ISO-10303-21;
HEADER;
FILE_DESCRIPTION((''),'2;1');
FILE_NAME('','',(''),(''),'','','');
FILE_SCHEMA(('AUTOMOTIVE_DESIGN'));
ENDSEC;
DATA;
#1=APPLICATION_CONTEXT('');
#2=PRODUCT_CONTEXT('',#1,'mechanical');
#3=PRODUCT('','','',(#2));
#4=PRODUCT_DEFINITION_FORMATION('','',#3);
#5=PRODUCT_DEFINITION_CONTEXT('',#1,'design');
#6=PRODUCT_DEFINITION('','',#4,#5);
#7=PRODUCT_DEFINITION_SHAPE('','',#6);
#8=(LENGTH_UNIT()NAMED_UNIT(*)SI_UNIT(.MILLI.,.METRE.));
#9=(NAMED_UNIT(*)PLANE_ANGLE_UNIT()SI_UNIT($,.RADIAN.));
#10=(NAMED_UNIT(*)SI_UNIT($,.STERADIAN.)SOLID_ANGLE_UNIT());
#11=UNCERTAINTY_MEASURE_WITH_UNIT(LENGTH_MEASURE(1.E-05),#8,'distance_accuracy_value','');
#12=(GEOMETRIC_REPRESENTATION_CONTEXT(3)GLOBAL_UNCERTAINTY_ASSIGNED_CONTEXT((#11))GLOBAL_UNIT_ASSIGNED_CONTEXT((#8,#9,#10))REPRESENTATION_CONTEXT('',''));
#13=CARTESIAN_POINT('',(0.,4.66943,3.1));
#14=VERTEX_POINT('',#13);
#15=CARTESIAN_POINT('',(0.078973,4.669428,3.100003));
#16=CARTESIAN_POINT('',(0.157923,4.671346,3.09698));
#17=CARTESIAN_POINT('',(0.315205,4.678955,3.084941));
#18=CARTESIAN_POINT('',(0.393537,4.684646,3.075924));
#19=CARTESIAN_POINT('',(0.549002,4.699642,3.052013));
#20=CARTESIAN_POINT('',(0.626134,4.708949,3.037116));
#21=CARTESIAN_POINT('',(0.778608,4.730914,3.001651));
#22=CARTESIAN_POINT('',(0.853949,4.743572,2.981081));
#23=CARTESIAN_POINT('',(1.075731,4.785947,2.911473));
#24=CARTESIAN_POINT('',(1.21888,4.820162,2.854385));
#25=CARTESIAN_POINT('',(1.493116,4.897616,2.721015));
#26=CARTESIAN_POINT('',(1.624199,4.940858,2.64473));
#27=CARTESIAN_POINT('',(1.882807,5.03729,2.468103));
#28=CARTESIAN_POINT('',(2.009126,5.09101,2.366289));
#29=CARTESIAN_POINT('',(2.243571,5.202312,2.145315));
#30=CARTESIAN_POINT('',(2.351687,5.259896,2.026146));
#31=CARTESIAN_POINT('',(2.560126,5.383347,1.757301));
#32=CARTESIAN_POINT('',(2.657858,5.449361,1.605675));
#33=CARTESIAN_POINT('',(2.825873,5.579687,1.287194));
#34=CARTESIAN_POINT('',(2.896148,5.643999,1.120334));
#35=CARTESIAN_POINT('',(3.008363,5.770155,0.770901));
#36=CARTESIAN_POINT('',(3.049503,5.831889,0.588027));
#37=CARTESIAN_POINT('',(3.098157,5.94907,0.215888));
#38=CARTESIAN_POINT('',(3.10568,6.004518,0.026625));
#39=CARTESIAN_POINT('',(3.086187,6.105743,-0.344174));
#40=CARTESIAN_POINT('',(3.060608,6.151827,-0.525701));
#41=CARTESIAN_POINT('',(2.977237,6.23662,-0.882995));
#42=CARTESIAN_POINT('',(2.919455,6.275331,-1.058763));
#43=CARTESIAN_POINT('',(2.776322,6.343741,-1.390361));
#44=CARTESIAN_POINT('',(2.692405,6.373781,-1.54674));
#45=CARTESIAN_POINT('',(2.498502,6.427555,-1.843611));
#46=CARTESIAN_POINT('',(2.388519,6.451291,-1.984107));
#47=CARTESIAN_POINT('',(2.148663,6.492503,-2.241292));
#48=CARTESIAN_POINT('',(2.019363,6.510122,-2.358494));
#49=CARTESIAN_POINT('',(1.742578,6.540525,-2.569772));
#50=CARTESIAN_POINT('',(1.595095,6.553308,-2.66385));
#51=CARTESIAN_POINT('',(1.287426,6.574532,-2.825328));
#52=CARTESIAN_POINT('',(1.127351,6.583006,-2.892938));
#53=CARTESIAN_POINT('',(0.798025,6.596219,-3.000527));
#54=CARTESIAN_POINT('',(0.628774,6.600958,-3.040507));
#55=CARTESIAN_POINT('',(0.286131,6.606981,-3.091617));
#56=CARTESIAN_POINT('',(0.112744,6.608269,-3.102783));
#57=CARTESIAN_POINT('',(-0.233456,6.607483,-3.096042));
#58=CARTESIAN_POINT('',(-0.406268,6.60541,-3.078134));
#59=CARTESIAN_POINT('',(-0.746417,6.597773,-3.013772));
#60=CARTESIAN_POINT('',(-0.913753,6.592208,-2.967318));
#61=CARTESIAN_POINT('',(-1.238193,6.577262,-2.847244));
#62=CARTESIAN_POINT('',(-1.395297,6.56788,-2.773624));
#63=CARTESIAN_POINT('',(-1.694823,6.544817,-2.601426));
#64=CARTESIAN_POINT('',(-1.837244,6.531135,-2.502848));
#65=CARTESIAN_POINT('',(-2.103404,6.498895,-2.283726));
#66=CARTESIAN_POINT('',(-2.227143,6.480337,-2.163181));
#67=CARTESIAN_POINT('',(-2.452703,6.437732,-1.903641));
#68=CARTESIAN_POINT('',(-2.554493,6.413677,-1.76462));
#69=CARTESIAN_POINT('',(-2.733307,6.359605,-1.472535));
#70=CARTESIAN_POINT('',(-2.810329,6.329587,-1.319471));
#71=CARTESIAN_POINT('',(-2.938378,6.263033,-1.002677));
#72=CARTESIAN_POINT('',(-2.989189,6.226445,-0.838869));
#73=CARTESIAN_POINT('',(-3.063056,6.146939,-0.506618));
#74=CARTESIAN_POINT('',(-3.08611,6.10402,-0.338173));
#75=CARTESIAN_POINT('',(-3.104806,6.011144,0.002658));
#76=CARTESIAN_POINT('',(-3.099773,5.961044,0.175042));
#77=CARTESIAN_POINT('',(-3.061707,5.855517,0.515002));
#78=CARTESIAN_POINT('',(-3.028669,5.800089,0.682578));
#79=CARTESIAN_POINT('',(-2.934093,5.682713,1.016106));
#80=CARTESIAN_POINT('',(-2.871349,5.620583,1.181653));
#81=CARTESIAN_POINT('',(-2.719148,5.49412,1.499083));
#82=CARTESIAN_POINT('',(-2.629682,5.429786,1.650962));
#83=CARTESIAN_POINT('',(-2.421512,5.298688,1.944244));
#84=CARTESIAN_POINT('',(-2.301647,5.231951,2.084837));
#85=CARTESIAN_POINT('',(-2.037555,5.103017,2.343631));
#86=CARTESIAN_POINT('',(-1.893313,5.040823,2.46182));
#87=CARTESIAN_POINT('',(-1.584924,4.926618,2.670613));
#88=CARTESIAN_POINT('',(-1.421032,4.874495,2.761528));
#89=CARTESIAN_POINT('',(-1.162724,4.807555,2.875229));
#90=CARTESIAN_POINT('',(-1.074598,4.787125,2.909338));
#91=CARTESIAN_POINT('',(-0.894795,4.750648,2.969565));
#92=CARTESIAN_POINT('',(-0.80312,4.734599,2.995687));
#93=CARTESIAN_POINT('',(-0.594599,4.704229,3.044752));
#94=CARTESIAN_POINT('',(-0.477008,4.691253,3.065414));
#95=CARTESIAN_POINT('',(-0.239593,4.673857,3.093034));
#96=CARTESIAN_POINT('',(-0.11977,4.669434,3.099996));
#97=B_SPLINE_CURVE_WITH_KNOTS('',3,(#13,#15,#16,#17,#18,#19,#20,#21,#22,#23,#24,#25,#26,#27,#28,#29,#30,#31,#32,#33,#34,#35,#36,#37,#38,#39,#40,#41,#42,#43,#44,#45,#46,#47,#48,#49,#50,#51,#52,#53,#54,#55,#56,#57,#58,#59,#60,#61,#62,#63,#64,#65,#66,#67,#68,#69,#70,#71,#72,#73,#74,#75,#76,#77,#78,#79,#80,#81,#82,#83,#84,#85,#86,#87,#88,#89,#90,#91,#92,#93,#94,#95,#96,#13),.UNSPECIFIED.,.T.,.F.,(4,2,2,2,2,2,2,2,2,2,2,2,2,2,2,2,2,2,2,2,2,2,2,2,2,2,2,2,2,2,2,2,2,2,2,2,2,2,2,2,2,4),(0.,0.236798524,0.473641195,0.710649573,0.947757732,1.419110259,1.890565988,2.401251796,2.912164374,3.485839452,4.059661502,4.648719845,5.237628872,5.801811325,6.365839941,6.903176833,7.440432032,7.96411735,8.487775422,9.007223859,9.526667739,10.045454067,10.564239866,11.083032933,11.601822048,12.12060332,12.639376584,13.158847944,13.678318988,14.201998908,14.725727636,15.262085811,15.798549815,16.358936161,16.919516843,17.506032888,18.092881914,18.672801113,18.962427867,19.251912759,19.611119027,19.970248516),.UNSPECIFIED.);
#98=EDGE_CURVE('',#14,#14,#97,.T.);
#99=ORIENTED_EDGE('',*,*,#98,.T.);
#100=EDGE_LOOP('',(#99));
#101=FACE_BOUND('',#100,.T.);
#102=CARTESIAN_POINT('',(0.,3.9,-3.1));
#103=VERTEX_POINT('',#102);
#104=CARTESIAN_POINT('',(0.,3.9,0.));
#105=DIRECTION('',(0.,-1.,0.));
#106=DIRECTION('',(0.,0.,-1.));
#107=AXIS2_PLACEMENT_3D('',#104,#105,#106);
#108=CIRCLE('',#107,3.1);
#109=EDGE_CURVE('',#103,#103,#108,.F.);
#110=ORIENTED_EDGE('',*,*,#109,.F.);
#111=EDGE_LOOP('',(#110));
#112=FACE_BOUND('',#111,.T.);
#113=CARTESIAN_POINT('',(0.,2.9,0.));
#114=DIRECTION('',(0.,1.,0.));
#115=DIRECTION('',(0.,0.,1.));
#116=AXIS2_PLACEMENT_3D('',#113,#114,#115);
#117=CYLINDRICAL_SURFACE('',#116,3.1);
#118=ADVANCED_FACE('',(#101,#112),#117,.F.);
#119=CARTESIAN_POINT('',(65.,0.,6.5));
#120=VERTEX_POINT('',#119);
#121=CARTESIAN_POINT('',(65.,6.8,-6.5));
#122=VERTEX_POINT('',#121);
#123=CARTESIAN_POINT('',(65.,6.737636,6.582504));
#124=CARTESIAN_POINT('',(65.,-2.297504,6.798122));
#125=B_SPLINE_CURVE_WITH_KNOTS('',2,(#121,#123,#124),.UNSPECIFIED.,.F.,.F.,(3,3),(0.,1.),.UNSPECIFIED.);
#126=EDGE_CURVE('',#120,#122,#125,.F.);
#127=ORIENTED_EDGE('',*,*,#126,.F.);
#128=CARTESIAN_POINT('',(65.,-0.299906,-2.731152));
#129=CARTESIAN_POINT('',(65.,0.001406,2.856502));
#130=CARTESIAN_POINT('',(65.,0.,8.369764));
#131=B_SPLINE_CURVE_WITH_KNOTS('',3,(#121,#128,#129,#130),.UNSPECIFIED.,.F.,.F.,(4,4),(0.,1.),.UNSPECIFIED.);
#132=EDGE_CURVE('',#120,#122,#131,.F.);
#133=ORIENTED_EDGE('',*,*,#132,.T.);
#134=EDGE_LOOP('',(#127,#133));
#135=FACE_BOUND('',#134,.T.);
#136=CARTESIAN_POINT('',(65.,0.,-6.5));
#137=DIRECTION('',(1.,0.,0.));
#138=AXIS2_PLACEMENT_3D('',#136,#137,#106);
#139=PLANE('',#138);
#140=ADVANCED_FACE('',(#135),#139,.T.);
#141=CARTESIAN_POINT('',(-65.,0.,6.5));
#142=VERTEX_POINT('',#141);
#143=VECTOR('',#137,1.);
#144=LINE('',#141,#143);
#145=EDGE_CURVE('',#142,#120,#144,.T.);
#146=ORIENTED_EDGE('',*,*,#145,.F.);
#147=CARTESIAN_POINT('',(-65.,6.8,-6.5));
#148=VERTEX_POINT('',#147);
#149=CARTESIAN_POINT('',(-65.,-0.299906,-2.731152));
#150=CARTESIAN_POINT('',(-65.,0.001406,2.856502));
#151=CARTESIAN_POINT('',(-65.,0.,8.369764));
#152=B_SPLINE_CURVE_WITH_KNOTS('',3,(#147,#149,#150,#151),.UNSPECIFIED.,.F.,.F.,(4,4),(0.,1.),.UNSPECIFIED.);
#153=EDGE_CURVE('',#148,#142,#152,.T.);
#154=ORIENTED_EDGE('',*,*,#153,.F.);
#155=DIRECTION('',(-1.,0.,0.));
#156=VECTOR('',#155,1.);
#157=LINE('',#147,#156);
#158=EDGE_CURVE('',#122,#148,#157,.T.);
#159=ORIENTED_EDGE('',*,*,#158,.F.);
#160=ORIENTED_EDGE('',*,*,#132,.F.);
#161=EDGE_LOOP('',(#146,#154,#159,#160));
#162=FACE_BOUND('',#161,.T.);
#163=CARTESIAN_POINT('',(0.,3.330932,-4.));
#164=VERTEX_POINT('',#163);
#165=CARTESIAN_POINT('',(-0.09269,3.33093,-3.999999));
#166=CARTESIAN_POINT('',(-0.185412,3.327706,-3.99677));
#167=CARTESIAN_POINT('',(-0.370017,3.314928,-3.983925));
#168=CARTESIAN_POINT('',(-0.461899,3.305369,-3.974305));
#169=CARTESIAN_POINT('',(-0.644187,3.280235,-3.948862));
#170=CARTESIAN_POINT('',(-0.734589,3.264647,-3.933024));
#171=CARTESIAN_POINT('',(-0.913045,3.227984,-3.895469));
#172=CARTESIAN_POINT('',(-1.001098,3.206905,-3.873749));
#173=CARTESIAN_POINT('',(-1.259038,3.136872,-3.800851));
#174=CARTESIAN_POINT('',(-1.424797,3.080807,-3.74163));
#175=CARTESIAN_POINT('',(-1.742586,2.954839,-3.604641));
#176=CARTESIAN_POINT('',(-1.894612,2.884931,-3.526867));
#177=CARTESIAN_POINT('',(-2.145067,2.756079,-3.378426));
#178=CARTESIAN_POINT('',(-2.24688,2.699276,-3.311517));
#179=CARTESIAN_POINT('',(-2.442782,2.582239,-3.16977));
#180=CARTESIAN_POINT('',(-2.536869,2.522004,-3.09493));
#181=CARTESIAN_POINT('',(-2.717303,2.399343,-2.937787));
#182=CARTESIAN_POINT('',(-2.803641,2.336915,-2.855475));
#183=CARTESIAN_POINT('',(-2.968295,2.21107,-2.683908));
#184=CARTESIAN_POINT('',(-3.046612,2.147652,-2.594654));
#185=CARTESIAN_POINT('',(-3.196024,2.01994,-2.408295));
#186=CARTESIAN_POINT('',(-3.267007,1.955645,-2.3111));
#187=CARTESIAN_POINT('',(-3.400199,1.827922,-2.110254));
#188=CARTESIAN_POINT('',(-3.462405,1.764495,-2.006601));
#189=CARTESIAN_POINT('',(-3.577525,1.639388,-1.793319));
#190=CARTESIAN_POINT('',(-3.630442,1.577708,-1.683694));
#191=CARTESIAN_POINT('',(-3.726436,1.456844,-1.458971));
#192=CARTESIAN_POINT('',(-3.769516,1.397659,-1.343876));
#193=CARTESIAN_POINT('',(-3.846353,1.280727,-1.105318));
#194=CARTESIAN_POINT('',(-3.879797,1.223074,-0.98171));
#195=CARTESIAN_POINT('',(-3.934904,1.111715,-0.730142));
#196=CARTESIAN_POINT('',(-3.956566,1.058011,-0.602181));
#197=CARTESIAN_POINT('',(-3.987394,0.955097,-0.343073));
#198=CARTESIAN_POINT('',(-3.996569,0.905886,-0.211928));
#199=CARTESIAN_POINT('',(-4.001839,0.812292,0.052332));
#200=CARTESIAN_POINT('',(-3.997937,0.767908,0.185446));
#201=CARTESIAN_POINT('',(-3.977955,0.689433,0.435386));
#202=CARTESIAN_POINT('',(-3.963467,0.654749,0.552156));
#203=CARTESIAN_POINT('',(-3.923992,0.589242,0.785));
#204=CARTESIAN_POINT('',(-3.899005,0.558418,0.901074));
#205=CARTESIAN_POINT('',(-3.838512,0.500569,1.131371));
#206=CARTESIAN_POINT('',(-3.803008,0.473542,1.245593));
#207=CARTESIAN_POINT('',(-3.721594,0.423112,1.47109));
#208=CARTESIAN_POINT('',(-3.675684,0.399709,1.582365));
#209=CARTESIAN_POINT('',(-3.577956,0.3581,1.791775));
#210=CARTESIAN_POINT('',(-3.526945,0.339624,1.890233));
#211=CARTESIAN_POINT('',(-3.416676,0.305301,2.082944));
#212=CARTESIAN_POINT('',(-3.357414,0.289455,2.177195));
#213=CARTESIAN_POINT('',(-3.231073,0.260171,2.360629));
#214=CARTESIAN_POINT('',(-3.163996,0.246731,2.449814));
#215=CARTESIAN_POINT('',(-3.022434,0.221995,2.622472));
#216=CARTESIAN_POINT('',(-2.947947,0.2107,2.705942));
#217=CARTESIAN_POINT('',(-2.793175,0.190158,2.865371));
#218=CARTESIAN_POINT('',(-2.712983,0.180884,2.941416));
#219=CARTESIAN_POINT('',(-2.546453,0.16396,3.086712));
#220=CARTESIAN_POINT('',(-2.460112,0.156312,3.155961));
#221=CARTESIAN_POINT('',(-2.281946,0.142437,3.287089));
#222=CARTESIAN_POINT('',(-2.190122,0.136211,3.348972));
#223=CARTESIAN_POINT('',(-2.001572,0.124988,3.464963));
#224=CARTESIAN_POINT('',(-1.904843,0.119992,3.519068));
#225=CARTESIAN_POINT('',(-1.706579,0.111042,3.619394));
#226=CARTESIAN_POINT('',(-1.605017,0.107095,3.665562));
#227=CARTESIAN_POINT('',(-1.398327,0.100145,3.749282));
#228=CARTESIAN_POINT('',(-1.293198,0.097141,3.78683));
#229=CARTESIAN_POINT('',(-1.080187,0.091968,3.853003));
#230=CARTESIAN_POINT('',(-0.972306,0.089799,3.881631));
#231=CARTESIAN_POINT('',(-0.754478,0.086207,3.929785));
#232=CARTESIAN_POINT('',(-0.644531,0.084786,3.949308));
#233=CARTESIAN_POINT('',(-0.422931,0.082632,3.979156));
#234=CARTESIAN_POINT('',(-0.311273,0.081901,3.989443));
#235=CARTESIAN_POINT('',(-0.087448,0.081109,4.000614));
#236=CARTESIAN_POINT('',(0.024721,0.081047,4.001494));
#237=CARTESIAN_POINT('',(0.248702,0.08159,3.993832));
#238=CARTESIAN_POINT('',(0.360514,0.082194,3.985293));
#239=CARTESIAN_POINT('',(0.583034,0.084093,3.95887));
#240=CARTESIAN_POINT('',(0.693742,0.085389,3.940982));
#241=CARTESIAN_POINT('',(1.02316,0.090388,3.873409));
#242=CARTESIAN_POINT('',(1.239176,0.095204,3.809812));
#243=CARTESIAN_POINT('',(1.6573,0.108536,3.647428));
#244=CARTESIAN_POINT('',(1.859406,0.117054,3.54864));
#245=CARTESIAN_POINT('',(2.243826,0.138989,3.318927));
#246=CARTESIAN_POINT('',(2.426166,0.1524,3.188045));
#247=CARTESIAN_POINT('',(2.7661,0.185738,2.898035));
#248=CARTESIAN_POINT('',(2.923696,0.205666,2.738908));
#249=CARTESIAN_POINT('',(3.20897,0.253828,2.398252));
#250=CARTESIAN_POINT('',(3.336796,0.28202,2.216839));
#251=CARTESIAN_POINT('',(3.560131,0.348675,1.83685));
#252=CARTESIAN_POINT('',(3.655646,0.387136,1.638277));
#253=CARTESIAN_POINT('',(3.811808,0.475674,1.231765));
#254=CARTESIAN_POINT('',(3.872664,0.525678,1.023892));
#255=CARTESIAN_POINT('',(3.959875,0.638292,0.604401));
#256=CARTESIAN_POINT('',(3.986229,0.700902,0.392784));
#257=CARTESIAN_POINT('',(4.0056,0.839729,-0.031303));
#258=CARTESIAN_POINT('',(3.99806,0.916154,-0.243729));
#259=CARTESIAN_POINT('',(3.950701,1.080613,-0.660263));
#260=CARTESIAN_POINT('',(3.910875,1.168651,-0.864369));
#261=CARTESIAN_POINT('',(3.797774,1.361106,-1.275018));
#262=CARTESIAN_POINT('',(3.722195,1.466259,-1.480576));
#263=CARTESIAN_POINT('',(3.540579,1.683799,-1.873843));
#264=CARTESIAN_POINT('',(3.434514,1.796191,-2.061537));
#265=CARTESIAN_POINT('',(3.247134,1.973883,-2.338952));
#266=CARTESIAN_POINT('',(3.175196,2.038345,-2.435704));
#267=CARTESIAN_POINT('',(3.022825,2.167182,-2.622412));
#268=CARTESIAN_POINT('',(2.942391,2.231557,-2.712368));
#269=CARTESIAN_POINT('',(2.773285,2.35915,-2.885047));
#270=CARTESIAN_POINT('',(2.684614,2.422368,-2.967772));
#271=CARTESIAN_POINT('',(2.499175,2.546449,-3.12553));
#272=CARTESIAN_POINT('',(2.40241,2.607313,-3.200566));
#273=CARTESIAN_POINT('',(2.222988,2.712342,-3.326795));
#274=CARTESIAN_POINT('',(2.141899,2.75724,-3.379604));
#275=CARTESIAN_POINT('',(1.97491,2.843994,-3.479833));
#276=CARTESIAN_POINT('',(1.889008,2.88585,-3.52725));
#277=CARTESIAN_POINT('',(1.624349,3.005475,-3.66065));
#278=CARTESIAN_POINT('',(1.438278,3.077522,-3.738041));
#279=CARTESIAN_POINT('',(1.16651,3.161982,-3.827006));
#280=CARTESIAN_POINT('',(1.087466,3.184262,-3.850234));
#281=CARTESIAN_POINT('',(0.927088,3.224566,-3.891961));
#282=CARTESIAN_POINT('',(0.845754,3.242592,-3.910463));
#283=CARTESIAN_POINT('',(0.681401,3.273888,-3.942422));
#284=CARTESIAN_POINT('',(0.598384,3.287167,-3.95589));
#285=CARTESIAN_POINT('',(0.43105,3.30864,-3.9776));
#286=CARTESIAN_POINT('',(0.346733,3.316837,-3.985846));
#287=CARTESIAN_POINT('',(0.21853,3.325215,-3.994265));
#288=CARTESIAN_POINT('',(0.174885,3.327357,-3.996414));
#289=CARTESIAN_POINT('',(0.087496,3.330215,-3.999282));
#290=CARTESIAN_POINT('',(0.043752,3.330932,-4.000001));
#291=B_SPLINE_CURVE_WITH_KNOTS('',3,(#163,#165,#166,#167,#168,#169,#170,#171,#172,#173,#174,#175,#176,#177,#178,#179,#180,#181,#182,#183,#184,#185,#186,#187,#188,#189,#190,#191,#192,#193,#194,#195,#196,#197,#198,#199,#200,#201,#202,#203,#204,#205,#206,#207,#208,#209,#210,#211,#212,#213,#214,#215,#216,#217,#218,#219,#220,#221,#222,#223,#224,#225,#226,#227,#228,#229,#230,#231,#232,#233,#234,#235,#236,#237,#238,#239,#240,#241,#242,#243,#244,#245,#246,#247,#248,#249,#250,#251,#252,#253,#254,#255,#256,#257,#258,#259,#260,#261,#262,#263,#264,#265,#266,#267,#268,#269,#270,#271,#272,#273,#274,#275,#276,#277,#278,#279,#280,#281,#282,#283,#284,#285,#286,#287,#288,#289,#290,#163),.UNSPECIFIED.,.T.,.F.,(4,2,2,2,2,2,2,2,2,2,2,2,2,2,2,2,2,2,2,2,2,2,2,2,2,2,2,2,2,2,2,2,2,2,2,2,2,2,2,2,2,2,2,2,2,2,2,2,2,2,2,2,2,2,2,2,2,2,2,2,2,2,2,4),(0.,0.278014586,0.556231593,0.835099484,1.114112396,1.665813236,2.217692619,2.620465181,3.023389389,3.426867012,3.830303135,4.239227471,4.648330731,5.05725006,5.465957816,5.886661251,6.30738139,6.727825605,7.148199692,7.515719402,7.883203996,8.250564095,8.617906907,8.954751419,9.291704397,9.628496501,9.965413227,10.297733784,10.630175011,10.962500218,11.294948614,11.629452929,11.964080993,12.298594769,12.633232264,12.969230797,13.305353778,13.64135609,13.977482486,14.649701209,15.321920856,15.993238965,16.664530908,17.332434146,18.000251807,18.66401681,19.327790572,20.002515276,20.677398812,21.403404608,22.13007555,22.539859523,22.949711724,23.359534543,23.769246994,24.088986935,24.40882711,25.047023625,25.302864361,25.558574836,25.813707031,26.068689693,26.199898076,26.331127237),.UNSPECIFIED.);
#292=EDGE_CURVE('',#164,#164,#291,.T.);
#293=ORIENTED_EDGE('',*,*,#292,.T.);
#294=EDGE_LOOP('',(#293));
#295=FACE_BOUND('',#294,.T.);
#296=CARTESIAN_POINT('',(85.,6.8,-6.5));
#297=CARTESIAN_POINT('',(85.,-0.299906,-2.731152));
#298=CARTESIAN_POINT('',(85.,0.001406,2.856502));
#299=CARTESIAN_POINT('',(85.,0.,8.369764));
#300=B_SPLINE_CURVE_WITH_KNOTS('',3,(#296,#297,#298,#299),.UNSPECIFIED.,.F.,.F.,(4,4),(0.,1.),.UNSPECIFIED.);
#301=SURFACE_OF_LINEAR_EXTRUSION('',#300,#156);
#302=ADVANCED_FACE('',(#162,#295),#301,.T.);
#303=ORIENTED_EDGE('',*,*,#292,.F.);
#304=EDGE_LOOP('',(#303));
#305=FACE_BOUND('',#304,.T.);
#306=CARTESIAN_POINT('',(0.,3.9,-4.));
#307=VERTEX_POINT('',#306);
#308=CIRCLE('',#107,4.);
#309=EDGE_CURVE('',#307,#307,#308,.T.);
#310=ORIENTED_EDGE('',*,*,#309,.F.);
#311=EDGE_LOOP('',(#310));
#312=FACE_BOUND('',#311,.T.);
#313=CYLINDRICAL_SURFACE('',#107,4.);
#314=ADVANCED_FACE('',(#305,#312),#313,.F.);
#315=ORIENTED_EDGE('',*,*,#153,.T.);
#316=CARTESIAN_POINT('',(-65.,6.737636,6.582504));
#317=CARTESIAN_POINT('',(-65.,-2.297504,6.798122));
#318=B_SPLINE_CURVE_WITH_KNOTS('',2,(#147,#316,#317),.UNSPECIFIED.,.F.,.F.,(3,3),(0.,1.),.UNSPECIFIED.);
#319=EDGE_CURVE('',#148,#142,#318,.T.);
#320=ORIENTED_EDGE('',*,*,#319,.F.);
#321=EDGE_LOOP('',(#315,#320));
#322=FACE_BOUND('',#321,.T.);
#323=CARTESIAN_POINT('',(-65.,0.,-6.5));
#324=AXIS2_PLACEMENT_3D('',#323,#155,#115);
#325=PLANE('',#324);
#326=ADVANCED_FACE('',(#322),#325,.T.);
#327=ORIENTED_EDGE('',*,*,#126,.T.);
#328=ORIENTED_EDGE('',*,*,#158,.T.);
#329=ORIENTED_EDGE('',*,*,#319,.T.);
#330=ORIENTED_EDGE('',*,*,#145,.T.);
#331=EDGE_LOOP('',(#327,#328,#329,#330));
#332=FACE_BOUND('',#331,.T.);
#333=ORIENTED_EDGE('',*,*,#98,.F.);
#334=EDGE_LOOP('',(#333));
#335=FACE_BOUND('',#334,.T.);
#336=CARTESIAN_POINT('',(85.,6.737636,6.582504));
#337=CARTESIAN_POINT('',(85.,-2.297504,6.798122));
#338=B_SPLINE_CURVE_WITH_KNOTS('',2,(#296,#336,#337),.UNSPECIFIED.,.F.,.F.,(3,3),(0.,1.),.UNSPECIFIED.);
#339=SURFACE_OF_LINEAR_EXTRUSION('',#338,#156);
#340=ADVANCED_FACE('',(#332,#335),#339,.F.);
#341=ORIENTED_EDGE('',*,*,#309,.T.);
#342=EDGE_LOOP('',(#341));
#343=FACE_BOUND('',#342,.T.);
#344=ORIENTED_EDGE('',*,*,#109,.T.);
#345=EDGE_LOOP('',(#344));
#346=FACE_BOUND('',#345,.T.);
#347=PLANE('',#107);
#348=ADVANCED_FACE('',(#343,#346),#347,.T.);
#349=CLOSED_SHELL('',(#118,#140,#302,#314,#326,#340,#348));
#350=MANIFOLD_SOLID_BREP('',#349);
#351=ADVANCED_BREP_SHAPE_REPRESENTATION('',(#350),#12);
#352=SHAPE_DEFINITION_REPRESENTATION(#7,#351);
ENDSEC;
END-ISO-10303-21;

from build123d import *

# Parameters (mm, degrees)
ESQUISSE1_R             = 6
BOSS_EXTRU_1_DEPTH      = 6.8
ESQUISSE4_W             = 130
ESQUISSE4_H             = 13
BOSS_EXTRU_4_DEPTH      = 6.8
ESQUISSE2_R             = 3.1
ENL_V_MAT_EXTRU_1_DEPTH = 3.9
ESQUISSE3_R             = 4
ENL_V_MAT_EXTRU_2_DEPTH = 3.9
ENL_V_MAT_EXTRU_3_DEPTH = 150


with BuildPart() as part:
    # Esquisse1 → Boss.-Extru.1 (new body)
    with BuildSketch(Plane(origin=(0, 0, 0), x_dir=(1, 0, 0), z_dir=(0, 1, 0))):
        Circle(ESQUISSE1_R)
    extrude(amount=BOSS_EXTRU_1_DEPTH)

    # Esquisse4 → Boss.-Extru.4 (add)
    with BuildSketch(Plane(origin=(0, 6.8, 0), x_dir=(-1, 0, 0), z_dir=(0, 1, 0))):
        Rectangle(ESQUISSE4_W, ESQUISSE4_H)
    extrude(amount=-BOSS_EXTRU_4_DEPTH)

    # Esquisse2 → Enlèv. mat.-Extru.1 (cut)
    with BuildSketch(Plane(origin=(0, 6.8, 0), x_dir=(-1, 0, 0), z_dir=(0, 1, 0))):
        Circle(ESQUISSE2_R)
    extrude(amount=-ENL_V_MAT_EXTRU_1_DEPTH, mode=Mode.SUBTRACT)

    # Esquisse3 → Enlèv. mat.-Extru.2 (cut)
    with BuildSketch(Plane.XZ):
        Circle(ESQUISSE3_R)
    extrude(amount=-ENL_V_MAT_EXTRU_2_DEPTH, mode=Mode.SUBTRACT)

    # Esquisse5 → Enlèv. mat.-Extru.3 (cut)
    with BuildSketch(Plane.ZY.offset(65)):
        with BuildLine():
            add(Edge.make_bspline(
                [(-6.5, 6.8), (-3.157180199, 0.502662842), (1.616492489, 0.027857453), (6.5, 0)],
                knots=[0, 0, 0, 0, 0.886960636, 0.886960636, 0.886960636, 0.886960636], degree=3))
            Line((-6.5, 6.8), (-6.5, 0))
            Line((-6.5, 0), (6.5, 0))
        make_face()
        with BuildLine():
            Line((6.5, 6.8), (-6.5, 6.8))
            add(Edge.make_bspline(
                [(-6.5, 6.8), (4.798338337, 6.746141113), (6.5, 0)],
                knots=[0, 0, 0, 0.863622033, 0.863622033, 0.863622033], degree=2))
            Line((6.5, 0), (6.5, 6.8))
        make_face()
    extrude(amount=-ENL_V_MAT_EXTRU_3_DEPTH, mode=Mode.SUBTRACT)


solid = part.part
